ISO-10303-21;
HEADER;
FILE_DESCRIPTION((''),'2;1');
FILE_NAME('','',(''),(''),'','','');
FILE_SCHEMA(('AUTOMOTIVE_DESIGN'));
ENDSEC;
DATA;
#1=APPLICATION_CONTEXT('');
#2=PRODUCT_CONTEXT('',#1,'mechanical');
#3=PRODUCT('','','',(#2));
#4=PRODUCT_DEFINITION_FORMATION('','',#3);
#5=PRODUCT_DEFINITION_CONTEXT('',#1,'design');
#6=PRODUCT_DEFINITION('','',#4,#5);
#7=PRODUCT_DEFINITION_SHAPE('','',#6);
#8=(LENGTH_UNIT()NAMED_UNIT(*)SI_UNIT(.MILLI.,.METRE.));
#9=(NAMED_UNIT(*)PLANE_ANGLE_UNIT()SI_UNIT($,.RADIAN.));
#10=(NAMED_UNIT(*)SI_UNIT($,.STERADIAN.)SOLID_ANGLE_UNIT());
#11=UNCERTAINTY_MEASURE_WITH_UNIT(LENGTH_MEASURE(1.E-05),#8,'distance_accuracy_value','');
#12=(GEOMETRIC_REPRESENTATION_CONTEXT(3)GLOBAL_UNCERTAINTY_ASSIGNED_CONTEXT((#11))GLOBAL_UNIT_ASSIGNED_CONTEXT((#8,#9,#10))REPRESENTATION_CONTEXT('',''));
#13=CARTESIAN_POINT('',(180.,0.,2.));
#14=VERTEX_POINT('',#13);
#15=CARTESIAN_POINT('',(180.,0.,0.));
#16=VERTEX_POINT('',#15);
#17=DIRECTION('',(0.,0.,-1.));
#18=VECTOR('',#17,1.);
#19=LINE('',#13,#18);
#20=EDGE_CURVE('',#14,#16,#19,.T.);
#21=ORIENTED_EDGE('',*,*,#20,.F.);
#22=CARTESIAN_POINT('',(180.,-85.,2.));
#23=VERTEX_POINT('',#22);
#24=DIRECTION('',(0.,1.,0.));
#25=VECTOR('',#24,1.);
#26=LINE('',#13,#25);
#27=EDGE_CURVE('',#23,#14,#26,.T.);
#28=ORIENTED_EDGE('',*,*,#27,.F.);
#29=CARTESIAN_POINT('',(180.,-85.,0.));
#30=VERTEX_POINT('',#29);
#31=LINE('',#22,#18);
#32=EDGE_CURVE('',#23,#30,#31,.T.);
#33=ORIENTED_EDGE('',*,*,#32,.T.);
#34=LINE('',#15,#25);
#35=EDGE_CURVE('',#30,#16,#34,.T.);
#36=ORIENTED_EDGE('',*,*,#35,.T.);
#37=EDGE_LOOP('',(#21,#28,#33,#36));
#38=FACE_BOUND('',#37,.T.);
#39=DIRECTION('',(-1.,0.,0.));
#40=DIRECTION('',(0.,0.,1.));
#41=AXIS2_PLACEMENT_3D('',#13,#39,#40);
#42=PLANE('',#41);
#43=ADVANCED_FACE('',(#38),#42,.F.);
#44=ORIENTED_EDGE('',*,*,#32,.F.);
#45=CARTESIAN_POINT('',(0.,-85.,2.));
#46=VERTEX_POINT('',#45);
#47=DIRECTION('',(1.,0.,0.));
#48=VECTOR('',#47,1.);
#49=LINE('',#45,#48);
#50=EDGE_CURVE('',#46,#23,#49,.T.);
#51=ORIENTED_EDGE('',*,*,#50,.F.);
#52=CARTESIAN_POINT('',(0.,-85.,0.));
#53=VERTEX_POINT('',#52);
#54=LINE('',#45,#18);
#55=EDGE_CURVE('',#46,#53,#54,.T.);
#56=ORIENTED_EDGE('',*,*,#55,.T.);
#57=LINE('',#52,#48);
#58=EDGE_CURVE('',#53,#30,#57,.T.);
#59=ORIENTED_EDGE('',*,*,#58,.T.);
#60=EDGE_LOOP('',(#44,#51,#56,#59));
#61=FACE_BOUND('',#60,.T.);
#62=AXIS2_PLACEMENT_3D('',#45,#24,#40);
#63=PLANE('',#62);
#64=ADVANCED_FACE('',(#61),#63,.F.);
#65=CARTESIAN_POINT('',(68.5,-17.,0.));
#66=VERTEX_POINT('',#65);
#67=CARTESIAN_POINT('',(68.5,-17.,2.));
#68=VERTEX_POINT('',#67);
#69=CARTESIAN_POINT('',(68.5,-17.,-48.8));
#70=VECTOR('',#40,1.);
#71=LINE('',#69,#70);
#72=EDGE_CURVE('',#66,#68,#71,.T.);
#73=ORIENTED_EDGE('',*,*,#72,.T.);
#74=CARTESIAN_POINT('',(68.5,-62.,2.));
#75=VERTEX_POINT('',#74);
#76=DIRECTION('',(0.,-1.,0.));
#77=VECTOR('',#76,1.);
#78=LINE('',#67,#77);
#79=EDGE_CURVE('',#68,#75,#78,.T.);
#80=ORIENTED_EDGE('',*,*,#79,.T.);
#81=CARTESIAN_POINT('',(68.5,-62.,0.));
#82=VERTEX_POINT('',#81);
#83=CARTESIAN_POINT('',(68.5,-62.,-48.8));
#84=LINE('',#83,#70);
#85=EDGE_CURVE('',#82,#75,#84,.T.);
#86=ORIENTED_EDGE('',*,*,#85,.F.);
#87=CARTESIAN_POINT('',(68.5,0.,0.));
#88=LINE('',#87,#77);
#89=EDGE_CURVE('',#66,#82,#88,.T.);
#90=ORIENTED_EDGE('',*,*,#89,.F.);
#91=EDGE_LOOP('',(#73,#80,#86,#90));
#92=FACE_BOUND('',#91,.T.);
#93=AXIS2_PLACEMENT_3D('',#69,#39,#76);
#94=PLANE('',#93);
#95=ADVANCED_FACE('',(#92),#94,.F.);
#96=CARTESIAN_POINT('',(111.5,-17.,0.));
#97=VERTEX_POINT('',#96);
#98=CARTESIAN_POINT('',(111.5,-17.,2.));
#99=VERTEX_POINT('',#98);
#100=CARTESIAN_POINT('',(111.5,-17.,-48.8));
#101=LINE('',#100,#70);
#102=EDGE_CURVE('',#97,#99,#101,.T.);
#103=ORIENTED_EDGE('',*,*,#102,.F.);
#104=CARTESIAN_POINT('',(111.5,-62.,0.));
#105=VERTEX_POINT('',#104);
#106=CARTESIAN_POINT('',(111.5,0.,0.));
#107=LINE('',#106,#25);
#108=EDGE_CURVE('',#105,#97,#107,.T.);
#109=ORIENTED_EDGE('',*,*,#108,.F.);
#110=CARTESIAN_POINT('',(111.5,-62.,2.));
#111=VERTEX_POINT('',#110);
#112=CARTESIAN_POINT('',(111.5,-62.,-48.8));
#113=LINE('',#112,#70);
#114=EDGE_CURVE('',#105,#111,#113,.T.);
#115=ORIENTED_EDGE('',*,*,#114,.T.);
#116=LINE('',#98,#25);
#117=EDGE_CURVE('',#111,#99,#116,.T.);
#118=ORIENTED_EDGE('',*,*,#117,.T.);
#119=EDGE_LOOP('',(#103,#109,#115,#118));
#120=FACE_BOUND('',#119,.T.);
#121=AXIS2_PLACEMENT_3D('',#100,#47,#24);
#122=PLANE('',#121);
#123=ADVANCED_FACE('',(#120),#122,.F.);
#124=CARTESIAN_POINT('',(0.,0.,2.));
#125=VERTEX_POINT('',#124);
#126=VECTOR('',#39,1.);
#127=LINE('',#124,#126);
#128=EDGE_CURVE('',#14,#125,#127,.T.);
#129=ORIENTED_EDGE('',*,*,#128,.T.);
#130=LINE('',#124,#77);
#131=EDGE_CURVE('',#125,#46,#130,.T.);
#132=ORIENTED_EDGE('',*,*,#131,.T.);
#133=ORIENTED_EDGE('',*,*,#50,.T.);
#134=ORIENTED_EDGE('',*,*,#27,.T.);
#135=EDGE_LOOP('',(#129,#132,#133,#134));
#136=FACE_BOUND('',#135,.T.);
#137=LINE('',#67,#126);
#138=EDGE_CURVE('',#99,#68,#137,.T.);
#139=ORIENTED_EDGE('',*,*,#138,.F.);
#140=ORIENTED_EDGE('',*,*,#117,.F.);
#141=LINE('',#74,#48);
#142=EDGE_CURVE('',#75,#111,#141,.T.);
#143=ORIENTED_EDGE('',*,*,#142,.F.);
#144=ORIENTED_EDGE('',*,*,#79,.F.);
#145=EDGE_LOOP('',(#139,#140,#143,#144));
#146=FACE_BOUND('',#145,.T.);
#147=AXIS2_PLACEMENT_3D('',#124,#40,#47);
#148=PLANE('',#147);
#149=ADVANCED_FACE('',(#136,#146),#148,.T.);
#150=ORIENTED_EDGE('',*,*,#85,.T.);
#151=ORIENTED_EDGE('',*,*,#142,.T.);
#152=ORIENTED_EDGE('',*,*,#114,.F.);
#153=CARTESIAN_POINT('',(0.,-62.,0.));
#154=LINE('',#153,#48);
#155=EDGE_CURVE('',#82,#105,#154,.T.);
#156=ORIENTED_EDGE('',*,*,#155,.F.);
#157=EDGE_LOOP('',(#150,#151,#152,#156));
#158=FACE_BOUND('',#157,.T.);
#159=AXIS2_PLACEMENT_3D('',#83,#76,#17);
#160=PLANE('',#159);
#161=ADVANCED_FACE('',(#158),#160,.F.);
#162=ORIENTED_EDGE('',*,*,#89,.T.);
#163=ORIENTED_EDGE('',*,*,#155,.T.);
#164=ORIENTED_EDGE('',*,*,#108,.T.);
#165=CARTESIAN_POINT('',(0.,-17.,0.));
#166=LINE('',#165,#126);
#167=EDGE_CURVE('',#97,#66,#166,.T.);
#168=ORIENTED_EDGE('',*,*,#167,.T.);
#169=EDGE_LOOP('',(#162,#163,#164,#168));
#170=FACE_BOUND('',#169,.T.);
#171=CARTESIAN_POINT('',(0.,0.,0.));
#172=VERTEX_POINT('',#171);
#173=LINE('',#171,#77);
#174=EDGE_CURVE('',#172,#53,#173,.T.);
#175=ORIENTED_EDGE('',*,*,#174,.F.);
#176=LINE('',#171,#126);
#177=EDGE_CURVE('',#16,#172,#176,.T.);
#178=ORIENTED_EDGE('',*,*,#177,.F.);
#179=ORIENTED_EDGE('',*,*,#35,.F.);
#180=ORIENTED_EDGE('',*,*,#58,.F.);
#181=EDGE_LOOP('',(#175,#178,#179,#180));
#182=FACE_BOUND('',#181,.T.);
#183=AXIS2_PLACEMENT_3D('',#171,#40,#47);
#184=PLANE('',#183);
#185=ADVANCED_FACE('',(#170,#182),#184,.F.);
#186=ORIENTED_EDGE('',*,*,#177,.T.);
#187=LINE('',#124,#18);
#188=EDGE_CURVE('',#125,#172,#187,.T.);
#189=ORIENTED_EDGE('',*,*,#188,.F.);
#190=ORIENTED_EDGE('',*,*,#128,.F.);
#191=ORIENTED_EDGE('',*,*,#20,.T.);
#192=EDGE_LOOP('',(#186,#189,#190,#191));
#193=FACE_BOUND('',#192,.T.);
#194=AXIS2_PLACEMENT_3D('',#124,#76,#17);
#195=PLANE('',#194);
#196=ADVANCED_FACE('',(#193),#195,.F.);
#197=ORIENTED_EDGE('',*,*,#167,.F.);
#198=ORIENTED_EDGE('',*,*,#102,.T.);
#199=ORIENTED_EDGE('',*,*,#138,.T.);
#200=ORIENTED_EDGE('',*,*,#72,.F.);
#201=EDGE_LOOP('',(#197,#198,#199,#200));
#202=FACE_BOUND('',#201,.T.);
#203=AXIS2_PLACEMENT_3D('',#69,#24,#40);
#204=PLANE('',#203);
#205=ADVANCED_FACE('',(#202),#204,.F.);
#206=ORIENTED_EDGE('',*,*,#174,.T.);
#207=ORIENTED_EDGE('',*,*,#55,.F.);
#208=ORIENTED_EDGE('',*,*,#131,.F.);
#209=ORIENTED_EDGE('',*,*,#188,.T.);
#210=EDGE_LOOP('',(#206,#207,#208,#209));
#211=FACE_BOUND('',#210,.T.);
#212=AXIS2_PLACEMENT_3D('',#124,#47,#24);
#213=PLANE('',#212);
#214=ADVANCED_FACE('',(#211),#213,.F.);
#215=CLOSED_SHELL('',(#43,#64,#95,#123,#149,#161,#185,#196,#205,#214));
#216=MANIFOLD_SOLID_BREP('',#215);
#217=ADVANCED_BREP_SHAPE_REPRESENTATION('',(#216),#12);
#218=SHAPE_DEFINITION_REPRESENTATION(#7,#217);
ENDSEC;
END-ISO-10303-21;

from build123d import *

# Parameters (mm, degrees)
SKETCH1_W           = 180
SKETCH1_H           = 85
BOSS_EXTRUDE1_DEPTH = 2
SKETCH2_W           = 43
SKETCH2_H           = 45
CUT_EXTRUDE1_DEPTH  = 50.8


with BuildPart() as part:
    # Sketch1 → Boss-Extrude1 (new body)
    with BuildSketch(Plane.XY):
        with Locations((90, -42.5)):
            Rectangle(SKETCH1_W, SKETCH1_H)
    extrude(amount=BOSS_EXTRUDE1_DEPTH)

    # Sketch2 → Cut-Extrude1 (cut)
    with BuildSketch(Plane.XY.offset(2)):
        with Locations((90, -39.5)):
            Rectangle(SKETCH2_W, SKETCH2_H)
    extrude(amount=-CUT_EXTRUDE1_DEPTH, mode=Mode.SUBTRACT)


solid = part.part
